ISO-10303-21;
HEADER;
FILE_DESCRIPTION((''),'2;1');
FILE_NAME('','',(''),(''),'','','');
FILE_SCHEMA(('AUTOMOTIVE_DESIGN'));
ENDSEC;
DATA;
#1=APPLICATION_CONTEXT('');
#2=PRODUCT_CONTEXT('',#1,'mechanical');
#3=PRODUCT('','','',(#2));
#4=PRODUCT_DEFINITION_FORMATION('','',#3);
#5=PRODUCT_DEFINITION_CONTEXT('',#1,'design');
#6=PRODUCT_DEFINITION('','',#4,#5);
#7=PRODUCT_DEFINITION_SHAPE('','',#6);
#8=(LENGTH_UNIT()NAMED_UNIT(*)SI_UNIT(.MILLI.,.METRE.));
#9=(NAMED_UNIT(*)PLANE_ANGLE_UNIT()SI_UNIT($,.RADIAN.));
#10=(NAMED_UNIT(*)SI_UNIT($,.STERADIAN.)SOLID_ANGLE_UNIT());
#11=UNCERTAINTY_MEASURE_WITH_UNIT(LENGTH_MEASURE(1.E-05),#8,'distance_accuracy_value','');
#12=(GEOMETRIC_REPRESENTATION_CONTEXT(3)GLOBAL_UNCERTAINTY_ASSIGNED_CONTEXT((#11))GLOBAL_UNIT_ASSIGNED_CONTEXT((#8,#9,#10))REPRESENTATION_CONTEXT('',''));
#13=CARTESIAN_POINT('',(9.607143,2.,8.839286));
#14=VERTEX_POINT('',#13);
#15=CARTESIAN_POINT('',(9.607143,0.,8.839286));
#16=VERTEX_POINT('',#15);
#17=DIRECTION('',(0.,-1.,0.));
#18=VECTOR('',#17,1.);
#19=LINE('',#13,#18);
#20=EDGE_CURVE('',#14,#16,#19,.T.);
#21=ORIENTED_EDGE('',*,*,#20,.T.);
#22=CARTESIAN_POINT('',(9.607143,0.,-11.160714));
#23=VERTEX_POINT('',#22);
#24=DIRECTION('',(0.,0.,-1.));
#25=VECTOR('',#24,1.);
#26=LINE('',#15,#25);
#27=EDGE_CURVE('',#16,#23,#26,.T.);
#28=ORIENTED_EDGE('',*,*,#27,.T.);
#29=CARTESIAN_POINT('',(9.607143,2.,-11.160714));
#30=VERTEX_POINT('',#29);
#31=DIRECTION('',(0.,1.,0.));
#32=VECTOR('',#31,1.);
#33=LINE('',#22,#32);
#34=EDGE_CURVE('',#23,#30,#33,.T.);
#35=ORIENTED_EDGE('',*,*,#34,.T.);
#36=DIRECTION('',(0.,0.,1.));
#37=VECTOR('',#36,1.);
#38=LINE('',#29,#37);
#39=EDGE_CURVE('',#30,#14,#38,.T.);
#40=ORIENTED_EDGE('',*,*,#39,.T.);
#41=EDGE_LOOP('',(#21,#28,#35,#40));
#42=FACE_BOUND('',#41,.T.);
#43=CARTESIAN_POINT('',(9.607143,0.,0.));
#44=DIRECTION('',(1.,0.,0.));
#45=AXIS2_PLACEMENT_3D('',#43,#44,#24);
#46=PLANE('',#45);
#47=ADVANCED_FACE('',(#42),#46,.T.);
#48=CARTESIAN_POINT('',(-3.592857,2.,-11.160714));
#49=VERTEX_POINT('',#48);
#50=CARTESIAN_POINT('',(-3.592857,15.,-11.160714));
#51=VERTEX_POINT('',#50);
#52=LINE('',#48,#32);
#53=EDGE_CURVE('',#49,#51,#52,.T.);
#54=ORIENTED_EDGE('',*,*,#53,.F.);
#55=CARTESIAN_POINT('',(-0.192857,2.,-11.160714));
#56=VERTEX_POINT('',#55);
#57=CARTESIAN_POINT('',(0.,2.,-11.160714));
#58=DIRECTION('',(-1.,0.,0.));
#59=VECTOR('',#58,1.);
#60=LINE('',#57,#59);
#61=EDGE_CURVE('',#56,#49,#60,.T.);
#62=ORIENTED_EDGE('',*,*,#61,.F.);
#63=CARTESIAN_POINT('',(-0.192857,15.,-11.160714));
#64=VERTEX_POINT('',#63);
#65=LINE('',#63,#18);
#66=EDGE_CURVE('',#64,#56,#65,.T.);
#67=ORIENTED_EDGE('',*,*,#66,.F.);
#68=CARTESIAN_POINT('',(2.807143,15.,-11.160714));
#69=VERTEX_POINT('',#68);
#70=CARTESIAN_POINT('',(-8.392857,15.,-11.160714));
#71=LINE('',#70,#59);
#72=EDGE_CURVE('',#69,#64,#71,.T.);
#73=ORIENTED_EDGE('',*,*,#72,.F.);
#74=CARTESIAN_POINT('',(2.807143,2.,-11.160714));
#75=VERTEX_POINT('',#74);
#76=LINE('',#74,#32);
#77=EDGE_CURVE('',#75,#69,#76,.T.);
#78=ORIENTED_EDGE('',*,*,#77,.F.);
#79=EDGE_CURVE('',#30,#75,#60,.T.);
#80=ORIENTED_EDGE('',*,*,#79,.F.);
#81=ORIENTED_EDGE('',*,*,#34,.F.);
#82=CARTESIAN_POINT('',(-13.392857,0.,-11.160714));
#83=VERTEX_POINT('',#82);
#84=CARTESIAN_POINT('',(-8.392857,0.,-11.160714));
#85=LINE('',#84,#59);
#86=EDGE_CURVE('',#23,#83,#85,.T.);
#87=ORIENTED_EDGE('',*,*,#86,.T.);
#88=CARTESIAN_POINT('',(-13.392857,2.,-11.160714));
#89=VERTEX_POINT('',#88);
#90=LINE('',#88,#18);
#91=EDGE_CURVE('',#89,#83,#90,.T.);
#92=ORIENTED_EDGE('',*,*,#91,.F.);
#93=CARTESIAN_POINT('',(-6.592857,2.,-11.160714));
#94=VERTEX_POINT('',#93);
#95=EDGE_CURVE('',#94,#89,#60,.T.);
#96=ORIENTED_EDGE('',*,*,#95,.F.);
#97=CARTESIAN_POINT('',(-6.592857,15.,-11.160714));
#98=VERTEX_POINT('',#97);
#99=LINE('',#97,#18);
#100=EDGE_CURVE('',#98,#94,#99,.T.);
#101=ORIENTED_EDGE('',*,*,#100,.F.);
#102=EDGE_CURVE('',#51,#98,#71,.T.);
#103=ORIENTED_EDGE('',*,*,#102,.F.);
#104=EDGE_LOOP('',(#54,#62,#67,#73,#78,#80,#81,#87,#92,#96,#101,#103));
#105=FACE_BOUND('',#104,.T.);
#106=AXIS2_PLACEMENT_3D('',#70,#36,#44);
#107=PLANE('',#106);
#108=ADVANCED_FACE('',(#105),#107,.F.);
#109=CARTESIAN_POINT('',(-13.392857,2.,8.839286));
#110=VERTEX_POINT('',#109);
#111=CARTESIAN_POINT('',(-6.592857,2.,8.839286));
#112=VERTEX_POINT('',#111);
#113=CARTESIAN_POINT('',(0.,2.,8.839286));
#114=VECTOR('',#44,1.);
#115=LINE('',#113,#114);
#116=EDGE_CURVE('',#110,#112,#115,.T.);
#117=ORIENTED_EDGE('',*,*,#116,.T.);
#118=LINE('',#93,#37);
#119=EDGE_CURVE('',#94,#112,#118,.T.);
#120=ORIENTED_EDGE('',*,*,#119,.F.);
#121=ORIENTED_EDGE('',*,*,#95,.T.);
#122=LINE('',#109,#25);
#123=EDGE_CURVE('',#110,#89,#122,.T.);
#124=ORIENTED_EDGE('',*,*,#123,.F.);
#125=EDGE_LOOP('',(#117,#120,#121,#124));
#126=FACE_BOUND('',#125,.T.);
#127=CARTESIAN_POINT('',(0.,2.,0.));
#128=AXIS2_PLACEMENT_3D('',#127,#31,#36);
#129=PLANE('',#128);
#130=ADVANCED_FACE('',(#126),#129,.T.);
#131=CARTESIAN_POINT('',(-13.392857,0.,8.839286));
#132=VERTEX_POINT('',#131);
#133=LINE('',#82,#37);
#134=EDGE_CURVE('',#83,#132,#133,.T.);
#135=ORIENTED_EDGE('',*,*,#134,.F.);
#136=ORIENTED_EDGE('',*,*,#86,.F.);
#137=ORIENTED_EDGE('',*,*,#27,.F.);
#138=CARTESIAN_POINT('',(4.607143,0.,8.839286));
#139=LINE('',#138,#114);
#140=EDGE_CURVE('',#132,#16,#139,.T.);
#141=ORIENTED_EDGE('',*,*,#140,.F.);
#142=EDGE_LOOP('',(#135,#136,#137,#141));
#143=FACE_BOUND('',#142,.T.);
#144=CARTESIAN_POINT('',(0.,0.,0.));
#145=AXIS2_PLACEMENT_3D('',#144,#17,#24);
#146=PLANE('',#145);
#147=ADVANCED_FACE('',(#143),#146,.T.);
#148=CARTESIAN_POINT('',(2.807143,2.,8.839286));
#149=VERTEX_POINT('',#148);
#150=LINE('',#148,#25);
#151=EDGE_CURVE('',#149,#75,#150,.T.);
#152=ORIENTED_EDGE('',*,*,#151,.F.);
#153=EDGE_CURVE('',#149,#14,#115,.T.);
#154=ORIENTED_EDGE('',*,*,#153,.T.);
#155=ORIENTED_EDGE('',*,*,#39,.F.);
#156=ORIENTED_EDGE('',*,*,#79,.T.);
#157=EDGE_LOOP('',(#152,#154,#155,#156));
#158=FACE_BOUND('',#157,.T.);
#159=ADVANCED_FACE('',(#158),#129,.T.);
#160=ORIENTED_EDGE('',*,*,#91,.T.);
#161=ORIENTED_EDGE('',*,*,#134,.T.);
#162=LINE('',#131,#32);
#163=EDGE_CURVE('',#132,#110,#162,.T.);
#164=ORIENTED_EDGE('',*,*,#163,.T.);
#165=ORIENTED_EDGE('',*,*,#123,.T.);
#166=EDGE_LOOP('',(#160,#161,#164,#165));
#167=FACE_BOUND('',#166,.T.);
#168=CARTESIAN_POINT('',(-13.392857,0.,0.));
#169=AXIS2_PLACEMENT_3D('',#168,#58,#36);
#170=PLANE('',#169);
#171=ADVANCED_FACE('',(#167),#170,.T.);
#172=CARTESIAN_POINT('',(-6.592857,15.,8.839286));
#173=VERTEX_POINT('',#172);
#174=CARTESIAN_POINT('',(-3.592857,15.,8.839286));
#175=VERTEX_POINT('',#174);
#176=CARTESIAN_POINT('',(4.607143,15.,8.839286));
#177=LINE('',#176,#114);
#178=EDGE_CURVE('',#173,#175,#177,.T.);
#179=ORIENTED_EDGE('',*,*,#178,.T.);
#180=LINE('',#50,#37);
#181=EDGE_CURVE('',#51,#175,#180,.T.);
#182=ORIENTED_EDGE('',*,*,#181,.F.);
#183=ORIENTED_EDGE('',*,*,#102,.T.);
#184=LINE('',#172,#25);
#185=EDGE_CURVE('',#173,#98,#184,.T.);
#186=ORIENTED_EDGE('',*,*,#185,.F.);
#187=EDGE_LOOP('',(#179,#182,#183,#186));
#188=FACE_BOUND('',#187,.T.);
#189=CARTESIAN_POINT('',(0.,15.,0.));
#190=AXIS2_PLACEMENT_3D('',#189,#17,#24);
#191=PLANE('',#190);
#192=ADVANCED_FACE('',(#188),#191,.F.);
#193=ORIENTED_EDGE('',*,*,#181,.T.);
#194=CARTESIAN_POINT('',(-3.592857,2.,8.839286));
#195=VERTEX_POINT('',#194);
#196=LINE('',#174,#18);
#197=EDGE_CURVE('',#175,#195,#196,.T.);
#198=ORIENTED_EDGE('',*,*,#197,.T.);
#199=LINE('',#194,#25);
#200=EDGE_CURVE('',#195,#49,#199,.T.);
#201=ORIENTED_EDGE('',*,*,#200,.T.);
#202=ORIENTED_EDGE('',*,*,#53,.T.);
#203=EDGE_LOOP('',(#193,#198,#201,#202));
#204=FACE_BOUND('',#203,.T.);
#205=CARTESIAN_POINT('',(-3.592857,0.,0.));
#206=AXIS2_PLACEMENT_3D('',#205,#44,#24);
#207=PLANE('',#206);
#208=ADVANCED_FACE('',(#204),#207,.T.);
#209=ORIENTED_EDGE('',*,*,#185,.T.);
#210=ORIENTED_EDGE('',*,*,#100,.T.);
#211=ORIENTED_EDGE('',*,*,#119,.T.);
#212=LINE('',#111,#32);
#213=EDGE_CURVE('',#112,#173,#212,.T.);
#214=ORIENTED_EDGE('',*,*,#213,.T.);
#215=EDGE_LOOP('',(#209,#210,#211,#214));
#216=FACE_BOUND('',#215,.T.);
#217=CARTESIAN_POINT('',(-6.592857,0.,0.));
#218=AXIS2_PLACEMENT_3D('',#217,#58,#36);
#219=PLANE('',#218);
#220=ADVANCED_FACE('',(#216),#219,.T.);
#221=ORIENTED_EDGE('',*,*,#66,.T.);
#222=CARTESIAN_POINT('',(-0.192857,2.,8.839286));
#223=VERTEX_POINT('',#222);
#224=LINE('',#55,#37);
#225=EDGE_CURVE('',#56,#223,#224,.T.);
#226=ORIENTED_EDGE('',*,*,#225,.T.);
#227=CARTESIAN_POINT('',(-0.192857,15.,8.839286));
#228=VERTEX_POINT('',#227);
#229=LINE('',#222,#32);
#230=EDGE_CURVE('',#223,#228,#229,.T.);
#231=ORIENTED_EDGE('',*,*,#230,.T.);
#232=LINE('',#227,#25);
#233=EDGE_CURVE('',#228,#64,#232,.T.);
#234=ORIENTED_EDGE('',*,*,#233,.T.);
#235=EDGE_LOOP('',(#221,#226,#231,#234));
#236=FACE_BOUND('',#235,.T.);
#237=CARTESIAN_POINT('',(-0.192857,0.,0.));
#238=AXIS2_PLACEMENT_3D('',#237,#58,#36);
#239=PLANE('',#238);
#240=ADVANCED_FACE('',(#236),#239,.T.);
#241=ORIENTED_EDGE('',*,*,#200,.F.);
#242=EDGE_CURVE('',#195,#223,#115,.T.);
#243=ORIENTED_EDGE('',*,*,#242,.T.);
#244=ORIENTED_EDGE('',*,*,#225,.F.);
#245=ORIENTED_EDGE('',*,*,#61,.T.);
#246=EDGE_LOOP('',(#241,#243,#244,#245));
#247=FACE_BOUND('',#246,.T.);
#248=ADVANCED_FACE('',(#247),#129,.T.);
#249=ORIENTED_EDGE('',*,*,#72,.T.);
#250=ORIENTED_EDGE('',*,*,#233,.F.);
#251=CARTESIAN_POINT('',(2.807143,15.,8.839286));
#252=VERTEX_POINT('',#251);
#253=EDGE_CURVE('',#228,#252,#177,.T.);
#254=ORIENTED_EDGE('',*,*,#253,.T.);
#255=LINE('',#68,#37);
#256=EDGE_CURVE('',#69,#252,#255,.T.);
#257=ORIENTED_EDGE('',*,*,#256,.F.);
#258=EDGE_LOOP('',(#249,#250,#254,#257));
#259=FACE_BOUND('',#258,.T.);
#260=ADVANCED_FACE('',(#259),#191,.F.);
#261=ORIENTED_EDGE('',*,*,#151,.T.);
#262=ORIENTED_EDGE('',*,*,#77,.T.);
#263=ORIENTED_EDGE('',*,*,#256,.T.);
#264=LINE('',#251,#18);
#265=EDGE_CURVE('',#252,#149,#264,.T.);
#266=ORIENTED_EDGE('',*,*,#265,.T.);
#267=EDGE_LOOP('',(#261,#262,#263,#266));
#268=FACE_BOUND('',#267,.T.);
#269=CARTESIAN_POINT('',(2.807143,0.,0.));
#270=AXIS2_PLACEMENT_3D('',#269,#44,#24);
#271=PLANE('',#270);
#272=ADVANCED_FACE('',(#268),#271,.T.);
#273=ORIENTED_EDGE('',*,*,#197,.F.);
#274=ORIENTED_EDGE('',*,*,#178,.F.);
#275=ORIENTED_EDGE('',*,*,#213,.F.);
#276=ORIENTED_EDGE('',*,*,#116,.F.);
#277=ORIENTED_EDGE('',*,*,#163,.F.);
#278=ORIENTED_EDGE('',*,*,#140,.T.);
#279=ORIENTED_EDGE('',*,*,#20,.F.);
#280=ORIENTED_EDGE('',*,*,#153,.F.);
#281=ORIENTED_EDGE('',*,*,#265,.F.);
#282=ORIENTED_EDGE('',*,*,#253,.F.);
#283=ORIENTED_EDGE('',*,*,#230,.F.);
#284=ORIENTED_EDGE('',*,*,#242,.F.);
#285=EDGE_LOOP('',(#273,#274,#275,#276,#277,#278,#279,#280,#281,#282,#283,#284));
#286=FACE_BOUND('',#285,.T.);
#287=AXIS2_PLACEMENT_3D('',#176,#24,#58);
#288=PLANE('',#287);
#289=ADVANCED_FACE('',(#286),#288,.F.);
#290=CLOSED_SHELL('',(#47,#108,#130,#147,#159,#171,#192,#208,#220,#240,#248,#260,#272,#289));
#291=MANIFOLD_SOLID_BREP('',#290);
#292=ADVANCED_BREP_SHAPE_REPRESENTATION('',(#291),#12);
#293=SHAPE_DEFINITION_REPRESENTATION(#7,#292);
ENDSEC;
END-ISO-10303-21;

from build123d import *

# Parameters (mm, degrees)
ESQUISSE1_W             = 13
ESQUISSE1_H             = 20
BOSS_EXTRU_1_DEPTH      = 15
ESQUISSE2_W             = 2
ESQUISSE2_H             = 20
ESQUISSE2_W_2           = 3
ENL_V_MAT_EXTRU_2_DEPTH = 13
ESQUISSE4_W             = 20
ESQUISSE4_H             = 2
BOSS_EXTRU_2_DEPTH      = 5
ESQUISSE5_W             = 20
ESQUISSE5_H             = 2
BOSS_EXTRU_3_DEPTH      = 5
ESQUISSE6_W             = 20
ESQUISSE6_H             = 13
ENL_V_MAT_EXTRU_3_DEPTH = 0.2
ESQUISSE7_W             = 20
ESQUISSE7_H             = 13
ENL_V_MAT_EXTRU_4_DEPTH = 0.2
ESQUISSE8_W             = 20
ESQUISSE8_H             = 13
BOSS_EXTRU_4_DEPTH      = 0.2
ESQUISSE9_W             = 20
ESQUISSE9_H             = 13
BOSS_EXTRU_5_DEPTH      = 0.2


with BuildPart() as part:
    # Esquisse1 → Boss.-Extru.1 (new body)
    with BuildSketch(Plane(origin=(0, 0, 0), x_dir=(1, 0, 0), z_dir=(0, 1, 0))):
        with Locations((-1.892857143, 1.160714286)):
            Rectangle(ESQUISSE1_W, ESQUISSE1_H)
    extrude(amount=BOSS_EXTRU_1_DEPTH)

    # Esquisse2 → Enlèv. mat.-Extru.2 (cut)
    with BuildSketch(Plane(origin=(0, 15, 0), x_dir=(1, 0, 0), z_dir=(0, 1, 0))):
        with Locations((-7.392857143, 1.160714286)):
            Rectangle(ESQUISSE2_W, ESQUISSE2_H)
        with Locations((-1.892857143, 1.160714286)):
            Rectangle(ESQUISSE2_W_2, ESQUISSE2_H)
        with Locations((3.607142857, 1.160714286)):
            Rectangle(ESQUISSE2_W, ESQUISSE2_H)
    extrude(amount=-ENL_V_MAT_EXTRU_2_DEPTH, mode=Mode.SUBTRACT)

    # Esquisse4 → Boss.-Extru.2 (add)
    with BuildSketch(Plane.ZY.offset(8.392857143)):
        with Locations((-1.160714286, 1)):
            Rectangle(ESQUISSE4_W, ESQUISSE4_H)
    extrude(amount=BOSS_EXTRU_2_DEPTH)

    # Esquisse5 → Boss.-Extru.3 (add)
    with BuildSketch(Plane(origin=(4.607142857, 0, 0), x_dir=(0, 0, -1), z_dir=(1, 0, 0))):
        with Locations((1.160714286, 1)):
            Rectangle(ESQUISSE5_W, ESQUISSE5_H)
    extrude(amount=BOSS_EXTRU_3_DEPTH)

    # Esquisse6 → Enlèv. mat.-Extru.3 (cut)
    with BuildSketch(Plane.ZY.offset(0.392857143)):
        with Locations((-1.160714286, 8.5)):
            Rectangle(ESQUISSE6_W, ESQUISSE6_H)
    extrude(amount=-ENL_V_MAT_EXTRU_3_DEPTH, mode=Mode.SUBTRACT)

    # Esquisse7 → Enlèv. mat.-Extru.4 (cut)
    with BuildSketch(Plane(origin=(-3.392857143, 0, 0), x_dir=(0, 0, -1), z_dir=(1, 0, 0))):
        with Locations((1.160714286, 8.5)):
            Rectangle(ESQUISSE7_W, ESQUISSE7_H)
    extrude(amount=-ENL_V_MAT_EXTRU_4_DEPTH, mode=Mode.SUBTRACT)

    # Esquisse8 → Boss.-Extru.4 (add)
    with BuildSketch(Plane(origin=(2.607142857, 0, 0), x_dir=(0, 0, -1), z_dir=(1, 0, 0))):
        with Locations((1.160714286, 8.5)):
            Rectangle(ESQUISSE8_W, ESQUISSE8_H)
    extrude(amount=BOSS_EXTRU_4_DEPTH)

    # Esquisse9 → Boss.-Extru.5 (add)
    with BuildSketch(Plane.ZY.offset(6.392857143)):
        with Locations((-1.160714286, 8.5)):
            Rectangle(ESQUISSE9_W, ESQUISSE9_H)
    extrude(amount=BOSS_EXTRU_5_DEPTH)


solid = part.part
